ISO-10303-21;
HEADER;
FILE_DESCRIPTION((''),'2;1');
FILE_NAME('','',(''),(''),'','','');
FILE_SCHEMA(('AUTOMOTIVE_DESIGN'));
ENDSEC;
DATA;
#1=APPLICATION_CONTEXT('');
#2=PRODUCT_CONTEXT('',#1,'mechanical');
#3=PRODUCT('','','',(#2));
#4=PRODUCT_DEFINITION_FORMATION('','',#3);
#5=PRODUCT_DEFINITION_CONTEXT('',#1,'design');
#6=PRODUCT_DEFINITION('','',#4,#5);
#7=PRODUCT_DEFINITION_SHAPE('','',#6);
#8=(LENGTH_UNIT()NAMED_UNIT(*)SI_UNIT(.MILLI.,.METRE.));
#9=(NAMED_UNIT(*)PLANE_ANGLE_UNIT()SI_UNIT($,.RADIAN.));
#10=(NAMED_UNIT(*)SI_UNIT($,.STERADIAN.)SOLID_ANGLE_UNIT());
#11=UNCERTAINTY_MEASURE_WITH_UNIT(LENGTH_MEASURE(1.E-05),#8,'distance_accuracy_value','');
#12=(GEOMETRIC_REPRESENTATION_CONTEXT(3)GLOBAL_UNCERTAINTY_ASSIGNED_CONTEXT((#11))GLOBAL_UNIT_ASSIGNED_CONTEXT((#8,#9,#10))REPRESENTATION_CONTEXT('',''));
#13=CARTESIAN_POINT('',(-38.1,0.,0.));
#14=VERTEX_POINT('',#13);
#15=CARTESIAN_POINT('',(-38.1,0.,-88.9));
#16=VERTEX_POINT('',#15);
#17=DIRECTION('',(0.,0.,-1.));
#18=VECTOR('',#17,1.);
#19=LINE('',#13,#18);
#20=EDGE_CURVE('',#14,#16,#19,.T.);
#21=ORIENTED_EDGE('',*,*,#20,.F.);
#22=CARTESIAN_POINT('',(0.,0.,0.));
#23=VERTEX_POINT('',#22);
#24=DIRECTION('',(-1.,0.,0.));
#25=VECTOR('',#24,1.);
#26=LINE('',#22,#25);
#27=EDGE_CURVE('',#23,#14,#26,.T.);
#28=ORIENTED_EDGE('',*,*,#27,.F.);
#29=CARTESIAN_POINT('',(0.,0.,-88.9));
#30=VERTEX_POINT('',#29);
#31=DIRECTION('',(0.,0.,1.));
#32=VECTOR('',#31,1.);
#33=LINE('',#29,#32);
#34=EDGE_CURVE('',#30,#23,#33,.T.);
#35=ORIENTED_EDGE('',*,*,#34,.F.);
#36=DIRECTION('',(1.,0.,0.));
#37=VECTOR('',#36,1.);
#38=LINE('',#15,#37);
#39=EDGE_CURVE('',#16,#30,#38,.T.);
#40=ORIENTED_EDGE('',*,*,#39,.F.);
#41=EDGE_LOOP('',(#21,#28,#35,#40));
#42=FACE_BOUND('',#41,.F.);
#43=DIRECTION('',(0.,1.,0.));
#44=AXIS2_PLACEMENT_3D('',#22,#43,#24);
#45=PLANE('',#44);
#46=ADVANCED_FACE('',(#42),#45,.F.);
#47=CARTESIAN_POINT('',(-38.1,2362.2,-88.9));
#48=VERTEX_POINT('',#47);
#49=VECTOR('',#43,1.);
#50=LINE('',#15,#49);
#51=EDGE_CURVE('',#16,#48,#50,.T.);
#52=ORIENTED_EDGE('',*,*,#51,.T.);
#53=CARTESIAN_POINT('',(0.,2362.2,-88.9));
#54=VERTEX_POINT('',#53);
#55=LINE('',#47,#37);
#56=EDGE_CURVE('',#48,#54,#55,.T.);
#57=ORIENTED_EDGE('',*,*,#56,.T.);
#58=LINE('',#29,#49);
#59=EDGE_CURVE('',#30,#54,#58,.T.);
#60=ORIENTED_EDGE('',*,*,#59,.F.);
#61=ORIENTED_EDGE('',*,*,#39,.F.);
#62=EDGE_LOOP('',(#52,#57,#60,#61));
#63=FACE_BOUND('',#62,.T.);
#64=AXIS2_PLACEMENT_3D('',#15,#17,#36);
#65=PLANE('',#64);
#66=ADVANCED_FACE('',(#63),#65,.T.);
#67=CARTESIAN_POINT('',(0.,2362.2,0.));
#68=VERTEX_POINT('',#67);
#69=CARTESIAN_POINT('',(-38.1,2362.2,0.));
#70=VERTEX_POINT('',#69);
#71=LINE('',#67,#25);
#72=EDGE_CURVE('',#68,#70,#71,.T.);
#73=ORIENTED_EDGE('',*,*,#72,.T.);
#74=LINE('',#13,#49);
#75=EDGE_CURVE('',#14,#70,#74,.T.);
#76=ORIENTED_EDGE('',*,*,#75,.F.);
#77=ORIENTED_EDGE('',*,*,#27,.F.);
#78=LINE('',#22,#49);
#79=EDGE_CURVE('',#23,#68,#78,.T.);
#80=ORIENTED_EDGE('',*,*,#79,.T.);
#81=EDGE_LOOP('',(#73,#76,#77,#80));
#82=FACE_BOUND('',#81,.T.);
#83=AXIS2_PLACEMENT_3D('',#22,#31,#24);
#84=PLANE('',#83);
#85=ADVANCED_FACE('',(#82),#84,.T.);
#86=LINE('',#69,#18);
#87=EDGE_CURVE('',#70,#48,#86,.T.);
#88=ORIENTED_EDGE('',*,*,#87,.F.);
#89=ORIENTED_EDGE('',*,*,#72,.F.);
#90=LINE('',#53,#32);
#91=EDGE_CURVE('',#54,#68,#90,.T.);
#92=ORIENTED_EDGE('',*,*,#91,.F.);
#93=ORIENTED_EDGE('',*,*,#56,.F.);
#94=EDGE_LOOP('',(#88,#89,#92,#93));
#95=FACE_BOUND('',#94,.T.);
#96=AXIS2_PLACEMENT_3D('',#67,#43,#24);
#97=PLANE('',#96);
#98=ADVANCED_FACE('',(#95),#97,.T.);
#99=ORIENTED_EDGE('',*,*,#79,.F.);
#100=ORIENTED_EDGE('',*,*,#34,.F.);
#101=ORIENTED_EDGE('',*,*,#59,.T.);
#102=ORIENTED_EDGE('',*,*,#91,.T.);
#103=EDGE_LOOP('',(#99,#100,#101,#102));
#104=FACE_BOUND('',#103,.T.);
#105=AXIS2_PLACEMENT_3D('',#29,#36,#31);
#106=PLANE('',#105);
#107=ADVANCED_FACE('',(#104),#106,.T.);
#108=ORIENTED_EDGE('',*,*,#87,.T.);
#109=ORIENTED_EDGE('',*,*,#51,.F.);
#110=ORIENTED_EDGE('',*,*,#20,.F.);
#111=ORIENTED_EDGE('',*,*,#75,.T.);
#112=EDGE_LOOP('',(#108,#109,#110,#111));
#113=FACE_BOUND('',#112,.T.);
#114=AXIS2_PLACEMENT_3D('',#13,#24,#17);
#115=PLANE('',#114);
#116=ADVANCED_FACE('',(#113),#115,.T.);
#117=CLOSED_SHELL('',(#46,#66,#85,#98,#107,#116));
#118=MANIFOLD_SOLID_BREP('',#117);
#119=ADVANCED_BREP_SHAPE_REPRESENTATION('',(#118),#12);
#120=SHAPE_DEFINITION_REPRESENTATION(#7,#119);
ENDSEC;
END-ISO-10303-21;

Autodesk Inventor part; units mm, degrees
ref_plane "YZ Plane" through (0, 0, 0) normal (1, 0, 0) x (0, 1, 0)
ref_plane "XZ Plane" through (0, 0, 0) normal (0, 1, 0) x (-1, 0, 0)
ref_plane "XY Plane" through (0, 0, 0) normal (0, 0, 1) x (1, 0, 0)
sketch "Sketch1" plane through (0, 0, 0) normal (0, 1, 0) x (-1, 0, 0)
  line L0 (0, 0) -> (38.1, 0)
  line L1 (38.1, 0) -> (38.1, -88.9)
  line L2 (38.1, -88.9) -> (0, -88.9)
  line L3 (0, -88.9) -> (0, 0)
  dimension "d0" = 88.9
  dimension "d1" = 38.1
extrude "Extrusion1" add sketch "Sketch1" along normal blind 2362.2
properties part number "Stud" material "Wood (Birch)"
